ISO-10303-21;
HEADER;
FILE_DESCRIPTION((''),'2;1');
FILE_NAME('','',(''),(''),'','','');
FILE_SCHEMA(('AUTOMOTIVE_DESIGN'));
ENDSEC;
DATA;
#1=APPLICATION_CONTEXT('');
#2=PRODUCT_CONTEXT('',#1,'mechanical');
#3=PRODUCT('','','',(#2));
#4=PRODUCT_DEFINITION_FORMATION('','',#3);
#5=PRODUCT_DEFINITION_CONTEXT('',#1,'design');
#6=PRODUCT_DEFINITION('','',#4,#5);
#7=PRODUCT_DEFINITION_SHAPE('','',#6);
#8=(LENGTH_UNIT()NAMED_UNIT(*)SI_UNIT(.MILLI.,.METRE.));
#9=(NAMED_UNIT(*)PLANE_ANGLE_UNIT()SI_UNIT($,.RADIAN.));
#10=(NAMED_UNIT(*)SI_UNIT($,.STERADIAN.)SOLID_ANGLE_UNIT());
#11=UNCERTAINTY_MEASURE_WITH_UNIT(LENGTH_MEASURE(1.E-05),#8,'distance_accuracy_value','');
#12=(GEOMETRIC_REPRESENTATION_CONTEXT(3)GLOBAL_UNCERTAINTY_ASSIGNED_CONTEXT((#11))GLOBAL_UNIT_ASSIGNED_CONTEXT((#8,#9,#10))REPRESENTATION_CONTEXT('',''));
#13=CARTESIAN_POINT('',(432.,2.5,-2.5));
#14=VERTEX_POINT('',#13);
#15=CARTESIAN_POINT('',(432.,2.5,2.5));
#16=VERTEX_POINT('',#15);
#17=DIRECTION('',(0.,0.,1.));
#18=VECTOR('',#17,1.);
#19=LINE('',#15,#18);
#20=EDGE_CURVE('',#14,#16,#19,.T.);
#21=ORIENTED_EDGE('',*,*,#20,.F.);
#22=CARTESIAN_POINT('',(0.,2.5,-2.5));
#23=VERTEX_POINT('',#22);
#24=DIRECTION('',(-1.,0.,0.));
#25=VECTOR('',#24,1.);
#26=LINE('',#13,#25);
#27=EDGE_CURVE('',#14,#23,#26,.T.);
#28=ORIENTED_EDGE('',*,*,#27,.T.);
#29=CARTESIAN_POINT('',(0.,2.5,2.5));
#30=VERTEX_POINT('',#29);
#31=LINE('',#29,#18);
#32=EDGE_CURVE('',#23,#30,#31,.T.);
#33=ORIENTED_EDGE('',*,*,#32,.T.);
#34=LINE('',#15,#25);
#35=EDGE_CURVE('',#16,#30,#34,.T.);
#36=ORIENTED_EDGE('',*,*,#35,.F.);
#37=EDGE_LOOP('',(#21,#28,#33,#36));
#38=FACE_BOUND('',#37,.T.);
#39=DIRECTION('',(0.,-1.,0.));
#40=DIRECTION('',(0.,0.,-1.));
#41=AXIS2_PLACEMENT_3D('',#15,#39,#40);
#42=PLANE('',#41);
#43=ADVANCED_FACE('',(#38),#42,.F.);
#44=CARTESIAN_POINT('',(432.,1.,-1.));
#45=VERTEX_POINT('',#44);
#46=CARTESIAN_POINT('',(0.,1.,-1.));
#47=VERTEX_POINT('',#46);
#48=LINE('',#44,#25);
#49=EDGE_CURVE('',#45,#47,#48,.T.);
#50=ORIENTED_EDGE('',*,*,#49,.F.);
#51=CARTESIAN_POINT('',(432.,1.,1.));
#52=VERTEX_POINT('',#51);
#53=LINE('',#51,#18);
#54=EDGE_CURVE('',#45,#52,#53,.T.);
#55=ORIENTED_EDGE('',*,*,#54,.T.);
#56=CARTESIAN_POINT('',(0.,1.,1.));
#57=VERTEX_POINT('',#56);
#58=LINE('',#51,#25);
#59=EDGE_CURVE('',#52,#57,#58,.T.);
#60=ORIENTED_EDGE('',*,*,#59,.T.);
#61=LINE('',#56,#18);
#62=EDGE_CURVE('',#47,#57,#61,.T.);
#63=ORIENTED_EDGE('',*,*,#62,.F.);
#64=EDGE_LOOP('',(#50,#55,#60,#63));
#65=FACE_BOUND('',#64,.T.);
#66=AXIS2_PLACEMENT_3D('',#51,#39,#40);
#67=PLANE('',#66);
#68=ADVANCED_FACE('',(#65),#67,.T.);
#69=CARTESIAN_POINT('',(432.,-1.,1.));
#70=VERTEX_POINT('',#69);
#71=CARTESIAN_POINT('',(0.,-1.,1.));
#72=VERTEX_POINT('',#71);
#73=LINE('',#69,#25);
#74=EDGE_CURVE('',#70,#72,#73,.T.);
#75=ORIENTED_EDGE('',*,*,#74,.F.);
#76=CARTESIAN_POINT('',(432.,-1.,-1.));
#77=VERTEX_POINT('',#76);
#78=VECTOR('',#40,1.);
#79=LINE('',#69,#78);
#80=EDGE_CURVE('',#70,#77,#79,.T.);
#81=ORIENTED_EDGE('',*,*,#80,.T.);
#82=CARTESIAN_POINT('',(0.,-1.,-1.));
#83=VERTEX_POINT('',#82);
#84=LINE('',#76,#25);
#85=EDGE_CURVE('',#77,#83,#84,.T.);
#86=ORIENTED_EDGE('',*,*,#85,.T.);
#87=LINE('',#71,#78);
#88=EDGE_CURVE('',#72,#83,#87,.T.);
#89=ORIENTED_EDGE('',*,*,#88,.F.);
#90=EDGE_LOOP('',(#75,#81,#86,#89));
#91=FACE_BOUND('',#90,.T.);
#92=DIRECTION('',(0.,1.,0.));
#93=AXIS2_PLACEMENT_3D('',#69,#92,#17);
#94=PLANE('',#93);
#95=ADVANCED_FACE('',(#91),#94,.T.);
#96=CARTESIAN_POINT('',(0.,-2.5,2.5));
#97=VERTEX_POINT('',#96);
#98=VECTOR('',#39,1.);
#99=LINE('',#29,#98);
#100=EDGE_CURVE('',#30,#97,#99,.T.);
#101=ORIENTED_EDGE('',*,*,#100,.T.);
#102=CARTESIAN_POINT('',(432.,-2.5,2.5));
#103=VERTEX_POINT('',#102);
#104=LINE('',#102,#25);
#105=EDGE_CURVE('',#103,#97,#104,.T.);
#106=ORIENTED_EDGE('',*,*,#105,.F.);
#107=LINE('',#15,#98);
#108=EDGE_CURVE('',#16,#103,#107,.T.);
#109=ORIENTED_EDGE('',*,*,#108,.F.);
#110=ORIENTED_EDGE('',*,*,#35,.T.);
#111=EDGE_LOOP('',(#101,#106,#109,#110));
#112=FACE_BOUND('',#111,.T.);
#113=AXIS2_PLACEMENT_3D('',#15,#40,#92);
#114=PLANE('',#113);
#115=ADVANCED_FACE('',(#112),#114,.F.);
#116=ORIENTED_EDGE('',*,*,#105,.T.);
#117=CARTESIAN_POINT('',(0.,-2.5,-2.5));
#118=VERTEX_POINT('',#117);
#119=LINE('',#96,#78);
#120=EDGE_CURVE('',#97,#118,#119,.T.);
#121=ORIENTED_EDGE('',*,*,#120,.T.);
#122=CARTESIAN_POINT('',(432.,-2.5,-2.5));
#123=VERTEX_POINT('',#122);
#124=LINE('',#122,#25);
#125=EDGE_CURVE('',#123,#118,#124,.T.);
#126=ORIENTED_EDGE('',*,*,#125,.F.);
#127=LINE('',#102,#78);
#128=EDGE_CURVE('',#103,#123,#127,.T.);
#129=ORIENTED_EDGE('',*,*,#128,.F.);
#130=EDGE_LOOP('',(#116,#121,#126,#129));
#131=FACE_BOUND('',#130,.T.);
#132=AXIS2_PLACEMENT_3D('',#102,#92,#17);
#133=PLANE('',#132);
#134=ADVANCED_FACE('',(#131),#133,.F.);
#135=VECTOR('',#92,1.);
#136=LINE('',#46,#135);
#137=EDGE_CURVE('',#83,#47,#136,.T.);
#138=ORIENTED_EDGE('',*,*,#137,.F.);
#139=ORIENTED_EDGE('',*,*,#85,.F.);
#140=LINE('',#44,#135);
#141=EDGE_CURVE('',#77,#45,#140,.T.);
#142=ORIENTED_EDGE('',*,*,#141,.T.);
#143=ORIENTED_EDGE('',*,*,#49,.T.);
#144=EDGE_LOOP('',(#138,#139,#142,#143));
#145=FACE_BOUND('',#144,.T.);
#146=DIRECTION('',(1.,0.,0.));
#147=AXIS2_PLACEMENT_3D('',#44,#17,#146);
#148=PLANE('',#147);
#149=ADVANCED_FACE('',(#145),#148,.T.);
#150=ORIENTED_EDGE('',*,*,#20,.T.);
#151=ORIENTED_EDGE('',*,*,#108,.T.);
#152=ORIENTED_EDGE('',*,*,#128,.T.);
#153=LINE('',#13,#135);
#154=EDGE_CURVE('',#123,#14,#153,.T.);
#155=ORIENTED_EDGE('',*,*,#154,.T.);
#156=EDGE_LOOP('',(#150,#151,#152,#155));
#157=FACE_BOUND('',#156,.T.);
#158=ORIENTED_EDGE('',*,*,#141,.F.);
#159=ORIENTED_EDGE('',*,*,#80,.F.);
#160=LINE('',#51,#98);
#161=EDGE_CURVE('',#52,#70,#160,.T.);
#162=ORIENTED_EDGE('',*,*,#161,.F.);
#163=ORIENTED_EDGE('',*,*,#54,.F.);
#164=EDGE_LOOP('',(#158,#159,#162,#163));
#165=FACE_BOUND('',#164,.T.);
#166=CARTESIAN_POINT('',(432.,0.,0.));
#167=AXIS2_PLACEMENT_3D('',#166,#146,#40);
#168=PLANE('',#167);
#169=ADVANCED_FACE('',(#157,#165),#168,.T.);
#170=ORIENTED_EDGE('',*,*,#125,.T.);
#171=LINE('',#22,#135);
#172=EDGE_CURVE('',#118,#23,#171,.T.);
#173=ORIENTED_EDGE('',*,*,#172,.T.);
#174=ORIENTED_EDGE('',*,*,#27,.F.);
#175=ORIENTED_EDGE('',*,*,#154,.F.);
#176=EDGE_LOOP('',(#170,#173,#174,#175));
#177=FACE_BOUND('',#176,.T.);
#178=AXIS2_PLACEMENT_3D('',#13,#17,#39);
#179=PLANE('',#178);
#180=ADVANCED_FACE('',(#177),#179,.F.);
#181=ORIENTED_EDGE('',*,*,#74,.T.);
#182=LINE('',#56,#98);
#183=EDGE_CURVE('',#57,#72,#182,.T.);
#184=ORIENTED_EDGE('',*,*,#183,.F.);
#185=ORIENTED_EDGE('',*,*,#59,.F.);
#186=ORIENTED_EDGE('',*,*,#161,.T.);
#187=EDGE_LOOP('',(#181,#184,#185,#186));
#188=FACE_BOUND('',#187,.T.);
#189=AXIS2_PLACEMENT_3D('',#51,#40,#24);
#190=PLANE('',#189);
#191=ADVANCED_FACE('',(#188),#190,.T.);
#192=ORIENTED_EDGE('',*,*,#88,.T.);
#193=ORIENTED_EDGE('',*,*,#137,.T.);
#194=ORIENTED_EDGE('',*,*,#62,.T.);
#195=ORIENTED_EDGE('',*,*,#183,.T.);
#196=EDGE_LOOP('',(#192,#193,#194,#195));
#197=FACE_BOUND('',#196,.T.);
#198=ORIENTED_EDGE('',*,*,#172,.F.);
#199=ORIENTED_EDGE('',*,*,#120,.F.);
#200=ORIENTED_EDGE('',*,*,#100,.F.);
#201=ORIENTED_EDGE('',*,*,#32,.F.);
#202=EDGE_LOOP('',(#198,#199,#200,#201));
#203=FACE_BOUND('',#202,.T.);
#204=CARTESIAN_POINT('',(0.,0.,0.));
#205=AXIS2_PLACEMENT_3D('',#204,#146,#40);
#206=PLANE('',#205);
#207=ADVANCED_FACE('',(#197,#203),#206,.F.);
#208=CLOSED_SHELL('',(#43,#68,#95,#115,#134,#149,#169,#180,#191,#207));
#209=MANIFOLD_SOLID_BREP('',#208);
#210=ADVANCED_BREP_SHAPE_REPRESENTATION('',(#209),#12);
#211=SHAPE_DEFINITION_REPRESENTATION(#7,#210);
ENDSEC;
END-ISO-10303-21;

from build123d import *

# Parameters (mm, degrees)
SKETCH1_W           = 5
SKETCH1_H           = 5
SKETCH1_W_2         = 2
SKETCH1_H_2         = 2
BOSS_EXTRUDE1_DEPTH = 432


with BuildPart() as part:
    # Sketch1 → Boss-Extrude1 (new body)
    with BuildSketch(Plane(origin=(0, 0, 0), x_dir=(0, 0, -1), z_dir=(1, 0, 0))):
        Rectangle(SKETCH1_W, SKETCH1_H)
        Rectangle(SKETCH1_W_2, SKETCH1_H_2, mode=Mode.SUBTRACT)
    extrude(amount=BOSS_EXTRUDE1_DEPTH)


solid = part.part
